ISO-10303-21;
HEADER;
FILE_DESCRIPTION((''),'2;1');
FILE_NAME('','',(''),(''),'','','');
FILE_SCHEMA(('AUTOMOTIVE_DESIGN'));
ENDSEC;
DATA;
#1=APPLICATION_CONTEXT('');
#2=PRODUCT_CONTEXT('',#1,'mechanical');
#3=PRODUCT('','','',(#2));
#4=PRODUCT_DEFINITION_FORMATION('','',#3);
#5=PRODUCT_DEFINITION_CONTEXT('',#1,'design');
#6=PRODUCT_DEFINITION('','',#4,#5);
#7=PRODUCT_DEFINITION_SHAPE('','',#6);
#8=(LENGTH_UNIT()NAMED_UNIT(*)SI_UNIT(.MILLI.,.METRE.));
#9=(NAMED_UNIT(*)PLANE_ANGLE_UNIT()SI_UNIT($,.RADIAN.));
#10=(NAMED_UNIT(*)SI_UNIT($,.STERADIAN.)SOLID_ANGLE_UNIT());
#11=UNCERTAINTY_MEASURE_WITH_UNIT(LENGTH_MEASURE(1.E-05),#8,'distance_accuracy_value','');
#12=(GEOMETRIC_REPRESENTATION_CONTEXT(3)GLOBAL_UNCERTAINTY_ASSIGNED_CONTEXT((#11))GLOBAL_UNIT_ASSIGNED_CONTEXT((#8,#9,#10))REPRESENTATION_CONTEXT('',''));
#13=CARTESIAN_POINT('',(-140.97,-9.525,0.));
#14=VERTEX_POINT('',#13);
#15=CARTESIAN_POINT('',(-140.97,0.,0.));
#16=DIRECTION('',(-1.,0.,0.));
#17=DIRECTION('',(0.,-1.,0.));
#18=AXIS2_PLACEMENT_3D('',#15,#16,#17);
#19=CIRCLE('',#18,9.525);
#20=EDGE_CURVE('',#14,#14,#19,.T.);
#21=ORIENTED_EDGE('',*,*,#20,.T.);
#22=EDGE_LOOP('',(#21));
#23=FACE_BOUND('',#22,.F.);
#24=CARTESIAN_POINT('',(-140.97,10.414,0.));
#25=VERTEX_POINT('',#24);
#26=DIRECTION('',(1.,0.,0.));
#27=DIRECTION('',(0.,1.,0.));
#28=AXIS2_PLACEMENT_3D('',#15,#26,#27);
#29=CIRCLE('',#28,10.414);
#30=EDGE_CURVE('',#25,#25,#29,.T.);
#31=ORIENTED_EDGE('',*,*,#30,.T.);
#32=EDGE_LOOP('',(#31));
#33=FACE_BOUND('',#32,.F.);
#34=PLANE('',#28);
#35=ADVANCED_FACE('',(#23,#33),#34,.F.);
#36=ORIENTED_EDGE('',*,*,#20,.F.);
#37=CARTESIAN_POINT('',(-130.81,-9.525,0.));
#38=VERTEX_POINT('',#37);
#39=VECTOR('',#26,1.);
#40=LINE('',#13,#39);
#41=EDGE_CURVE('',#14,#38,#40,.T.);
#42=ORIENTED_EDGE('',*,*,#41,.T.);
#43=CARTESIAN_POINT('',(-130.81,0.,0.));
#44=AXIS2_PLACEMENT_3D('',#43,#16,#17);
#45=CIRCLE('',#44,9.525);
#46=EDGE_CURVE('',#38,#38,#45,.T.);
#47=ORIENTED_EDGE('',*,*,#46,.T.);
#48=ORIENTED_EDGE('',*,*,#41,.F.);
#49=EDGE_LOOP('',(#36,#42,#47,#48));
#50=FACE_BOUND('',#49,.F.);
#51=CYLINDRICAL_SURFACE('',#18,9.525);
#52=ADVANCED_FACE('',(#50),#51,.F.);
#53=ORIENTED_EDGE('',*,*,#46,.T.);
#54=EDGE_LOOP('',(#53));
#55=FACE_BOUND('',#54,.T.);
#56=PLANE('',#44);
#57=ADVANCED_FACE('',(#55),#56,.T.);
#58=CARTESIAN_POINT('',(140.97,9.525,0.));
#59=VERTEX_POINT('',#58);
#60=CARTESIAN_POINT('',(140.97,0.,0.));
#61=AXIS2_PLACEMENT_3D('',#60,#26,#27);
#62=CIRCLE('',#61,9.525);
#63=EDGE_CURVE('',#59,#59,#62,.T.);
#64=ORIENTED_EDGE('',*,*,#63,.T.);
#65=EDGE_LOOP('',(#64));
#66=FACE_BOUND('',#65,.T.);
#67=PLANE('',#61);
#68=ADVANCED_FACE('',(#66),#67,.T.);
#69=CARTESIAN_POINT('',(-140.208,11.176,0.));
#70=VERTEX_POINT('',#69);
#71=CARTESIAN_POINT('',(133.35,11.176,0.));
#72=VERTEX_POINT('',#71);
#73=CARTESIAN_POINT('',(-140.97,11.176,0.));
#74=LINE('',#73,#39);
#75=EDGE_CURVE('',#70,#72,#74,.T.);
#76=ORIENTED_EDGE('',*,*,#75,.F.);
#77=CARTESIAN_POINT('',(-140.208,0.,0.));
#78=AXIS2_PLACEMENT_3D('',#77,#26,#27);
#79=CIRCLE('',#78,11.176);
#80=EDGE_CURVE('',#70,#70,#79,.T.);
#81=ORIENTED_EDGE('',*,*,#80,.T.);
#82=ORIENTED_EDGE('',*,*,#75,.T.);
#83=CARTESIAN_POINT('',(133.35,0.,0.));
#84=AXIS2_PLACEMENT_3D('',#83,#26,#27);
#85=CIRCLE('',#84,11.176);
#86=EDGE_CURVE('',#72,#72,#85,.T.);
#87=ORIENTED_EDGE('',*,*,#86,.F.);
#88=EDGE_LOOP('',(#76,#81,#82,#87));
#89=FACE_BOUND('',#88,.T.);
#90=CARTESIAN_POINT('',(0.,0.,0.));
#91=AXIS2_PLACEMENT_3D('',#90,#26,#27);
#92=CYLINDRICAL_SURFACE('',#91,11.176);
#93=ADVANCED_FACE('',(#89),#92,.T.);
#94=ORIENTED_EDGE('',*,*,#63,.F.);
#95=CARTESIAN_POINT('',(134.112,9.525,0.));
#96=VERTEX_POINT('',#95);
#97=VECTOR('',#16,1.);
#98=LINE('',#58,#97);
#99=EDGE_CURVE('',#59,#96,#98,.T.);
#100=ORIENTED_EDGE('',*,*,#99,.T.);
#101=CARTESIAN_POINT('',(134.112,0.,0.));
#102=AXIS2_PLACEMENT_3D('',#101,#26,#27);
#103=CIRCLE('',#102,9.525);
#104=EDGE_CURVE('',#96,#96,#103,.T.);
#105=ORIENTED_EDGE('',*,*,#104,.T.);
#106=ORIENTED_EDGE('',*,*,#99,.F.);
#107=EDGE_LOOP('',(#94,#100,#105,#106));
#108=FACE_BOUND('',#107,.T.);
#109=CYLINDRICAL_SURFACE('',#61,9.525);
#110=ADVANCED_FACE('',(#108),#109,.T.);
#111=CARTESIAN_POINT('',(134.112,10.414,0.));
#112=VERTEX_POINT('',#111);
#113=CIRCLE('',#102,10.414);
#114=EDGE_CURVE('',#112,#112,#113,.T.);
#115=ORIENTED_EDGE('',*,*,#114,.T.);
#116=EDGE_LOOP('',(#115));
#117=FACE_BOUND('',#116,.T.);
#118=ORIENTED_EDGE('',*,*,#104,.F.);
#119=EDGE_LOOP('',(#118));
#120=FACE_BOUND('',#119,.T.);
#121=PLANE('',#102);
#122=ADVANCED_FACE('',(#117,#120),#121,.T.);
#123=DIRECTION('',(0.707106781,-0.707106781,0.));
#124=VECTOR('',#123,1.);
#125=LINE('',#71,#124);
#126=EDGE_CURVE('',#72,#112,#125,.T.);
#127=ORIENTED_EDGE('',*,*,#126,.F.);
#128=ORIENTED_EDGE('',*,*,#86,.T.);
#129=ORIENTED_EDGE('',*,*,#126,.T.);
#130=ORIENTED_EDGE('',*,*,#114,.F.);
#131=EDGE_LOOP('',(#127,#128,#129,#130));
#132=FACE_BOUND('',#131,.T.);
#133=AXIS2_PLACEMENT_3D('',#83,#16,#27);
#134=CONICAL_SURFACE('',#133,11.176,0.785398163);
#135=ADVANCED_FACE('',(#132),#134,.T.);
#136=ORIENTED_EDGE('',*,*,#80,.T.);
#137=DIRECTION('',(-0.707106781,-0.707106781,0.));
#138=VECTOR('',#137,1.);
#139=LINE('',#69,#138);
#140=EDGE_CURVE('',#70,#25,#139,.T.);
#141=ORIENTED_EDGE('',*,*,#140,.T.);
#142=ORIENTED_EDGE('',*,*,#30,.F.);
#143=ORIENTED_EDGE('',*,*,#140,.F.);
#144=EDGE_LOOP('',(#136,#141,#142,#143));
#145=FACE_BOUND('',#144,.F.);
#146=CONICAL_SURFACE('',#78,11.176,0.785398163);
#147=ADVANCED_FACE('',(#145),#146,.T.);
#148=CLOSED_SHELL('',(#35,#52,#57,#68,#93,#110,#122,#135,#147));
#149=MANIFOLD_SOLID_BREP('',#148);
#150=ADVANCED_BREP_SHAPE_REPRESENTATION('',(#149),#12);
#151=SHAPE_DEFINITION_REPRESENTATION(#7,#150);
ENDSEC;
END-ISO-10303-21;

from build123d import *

# Parameters (mm, degrees)
F0_R     = 11.176
F1_DEPTH = 140.97
F2_R     = 11.176
F2_R_2   = 9.525
F3_DEPTH = 6.858
F4_SIZE  = 0.762
F5_R     = 9.525
F6_DEPTH = 10.16


with BuildPart() as f1:
    # F0 (on Right) → F1 (new body, symmetric)
    with BuildSketch(Plane.YZ):
        Circle(F0_R)
    extrude(amount=F1_DEPTH, both=True)

    # F2 (on face) → F3 (cut)
    with BuildSketch(Plane.YZ.offset(140.97)):
        Circle(F2_R)
        Circle(F2_R_2, mode=Mode.SUBTRACT)
    extrude(amount=-F3_DEPTH, mode=Mode.SUBTRACT)

    # F4
    f4_edges = [f1.edges().sort_by_distance(p)[0] for p in [
        (-140.97, -11.176, 0),
        (134.112, -11.176, 0),
    ]]
    chamfer(f4_edges, length=F4_SIZE)

    # F5 (on face) → F6 (cut)
    with BuildSketch(Plane(origin=(-140.97, 0, 0), x_dir=(0, -1, 0), z_dir=(-1, 0, 0))):
        Circle(F5_R)
    extrude(amount=-F6_DEPTH, mode=Mode.SUBTRACT)


solid = f1.part
